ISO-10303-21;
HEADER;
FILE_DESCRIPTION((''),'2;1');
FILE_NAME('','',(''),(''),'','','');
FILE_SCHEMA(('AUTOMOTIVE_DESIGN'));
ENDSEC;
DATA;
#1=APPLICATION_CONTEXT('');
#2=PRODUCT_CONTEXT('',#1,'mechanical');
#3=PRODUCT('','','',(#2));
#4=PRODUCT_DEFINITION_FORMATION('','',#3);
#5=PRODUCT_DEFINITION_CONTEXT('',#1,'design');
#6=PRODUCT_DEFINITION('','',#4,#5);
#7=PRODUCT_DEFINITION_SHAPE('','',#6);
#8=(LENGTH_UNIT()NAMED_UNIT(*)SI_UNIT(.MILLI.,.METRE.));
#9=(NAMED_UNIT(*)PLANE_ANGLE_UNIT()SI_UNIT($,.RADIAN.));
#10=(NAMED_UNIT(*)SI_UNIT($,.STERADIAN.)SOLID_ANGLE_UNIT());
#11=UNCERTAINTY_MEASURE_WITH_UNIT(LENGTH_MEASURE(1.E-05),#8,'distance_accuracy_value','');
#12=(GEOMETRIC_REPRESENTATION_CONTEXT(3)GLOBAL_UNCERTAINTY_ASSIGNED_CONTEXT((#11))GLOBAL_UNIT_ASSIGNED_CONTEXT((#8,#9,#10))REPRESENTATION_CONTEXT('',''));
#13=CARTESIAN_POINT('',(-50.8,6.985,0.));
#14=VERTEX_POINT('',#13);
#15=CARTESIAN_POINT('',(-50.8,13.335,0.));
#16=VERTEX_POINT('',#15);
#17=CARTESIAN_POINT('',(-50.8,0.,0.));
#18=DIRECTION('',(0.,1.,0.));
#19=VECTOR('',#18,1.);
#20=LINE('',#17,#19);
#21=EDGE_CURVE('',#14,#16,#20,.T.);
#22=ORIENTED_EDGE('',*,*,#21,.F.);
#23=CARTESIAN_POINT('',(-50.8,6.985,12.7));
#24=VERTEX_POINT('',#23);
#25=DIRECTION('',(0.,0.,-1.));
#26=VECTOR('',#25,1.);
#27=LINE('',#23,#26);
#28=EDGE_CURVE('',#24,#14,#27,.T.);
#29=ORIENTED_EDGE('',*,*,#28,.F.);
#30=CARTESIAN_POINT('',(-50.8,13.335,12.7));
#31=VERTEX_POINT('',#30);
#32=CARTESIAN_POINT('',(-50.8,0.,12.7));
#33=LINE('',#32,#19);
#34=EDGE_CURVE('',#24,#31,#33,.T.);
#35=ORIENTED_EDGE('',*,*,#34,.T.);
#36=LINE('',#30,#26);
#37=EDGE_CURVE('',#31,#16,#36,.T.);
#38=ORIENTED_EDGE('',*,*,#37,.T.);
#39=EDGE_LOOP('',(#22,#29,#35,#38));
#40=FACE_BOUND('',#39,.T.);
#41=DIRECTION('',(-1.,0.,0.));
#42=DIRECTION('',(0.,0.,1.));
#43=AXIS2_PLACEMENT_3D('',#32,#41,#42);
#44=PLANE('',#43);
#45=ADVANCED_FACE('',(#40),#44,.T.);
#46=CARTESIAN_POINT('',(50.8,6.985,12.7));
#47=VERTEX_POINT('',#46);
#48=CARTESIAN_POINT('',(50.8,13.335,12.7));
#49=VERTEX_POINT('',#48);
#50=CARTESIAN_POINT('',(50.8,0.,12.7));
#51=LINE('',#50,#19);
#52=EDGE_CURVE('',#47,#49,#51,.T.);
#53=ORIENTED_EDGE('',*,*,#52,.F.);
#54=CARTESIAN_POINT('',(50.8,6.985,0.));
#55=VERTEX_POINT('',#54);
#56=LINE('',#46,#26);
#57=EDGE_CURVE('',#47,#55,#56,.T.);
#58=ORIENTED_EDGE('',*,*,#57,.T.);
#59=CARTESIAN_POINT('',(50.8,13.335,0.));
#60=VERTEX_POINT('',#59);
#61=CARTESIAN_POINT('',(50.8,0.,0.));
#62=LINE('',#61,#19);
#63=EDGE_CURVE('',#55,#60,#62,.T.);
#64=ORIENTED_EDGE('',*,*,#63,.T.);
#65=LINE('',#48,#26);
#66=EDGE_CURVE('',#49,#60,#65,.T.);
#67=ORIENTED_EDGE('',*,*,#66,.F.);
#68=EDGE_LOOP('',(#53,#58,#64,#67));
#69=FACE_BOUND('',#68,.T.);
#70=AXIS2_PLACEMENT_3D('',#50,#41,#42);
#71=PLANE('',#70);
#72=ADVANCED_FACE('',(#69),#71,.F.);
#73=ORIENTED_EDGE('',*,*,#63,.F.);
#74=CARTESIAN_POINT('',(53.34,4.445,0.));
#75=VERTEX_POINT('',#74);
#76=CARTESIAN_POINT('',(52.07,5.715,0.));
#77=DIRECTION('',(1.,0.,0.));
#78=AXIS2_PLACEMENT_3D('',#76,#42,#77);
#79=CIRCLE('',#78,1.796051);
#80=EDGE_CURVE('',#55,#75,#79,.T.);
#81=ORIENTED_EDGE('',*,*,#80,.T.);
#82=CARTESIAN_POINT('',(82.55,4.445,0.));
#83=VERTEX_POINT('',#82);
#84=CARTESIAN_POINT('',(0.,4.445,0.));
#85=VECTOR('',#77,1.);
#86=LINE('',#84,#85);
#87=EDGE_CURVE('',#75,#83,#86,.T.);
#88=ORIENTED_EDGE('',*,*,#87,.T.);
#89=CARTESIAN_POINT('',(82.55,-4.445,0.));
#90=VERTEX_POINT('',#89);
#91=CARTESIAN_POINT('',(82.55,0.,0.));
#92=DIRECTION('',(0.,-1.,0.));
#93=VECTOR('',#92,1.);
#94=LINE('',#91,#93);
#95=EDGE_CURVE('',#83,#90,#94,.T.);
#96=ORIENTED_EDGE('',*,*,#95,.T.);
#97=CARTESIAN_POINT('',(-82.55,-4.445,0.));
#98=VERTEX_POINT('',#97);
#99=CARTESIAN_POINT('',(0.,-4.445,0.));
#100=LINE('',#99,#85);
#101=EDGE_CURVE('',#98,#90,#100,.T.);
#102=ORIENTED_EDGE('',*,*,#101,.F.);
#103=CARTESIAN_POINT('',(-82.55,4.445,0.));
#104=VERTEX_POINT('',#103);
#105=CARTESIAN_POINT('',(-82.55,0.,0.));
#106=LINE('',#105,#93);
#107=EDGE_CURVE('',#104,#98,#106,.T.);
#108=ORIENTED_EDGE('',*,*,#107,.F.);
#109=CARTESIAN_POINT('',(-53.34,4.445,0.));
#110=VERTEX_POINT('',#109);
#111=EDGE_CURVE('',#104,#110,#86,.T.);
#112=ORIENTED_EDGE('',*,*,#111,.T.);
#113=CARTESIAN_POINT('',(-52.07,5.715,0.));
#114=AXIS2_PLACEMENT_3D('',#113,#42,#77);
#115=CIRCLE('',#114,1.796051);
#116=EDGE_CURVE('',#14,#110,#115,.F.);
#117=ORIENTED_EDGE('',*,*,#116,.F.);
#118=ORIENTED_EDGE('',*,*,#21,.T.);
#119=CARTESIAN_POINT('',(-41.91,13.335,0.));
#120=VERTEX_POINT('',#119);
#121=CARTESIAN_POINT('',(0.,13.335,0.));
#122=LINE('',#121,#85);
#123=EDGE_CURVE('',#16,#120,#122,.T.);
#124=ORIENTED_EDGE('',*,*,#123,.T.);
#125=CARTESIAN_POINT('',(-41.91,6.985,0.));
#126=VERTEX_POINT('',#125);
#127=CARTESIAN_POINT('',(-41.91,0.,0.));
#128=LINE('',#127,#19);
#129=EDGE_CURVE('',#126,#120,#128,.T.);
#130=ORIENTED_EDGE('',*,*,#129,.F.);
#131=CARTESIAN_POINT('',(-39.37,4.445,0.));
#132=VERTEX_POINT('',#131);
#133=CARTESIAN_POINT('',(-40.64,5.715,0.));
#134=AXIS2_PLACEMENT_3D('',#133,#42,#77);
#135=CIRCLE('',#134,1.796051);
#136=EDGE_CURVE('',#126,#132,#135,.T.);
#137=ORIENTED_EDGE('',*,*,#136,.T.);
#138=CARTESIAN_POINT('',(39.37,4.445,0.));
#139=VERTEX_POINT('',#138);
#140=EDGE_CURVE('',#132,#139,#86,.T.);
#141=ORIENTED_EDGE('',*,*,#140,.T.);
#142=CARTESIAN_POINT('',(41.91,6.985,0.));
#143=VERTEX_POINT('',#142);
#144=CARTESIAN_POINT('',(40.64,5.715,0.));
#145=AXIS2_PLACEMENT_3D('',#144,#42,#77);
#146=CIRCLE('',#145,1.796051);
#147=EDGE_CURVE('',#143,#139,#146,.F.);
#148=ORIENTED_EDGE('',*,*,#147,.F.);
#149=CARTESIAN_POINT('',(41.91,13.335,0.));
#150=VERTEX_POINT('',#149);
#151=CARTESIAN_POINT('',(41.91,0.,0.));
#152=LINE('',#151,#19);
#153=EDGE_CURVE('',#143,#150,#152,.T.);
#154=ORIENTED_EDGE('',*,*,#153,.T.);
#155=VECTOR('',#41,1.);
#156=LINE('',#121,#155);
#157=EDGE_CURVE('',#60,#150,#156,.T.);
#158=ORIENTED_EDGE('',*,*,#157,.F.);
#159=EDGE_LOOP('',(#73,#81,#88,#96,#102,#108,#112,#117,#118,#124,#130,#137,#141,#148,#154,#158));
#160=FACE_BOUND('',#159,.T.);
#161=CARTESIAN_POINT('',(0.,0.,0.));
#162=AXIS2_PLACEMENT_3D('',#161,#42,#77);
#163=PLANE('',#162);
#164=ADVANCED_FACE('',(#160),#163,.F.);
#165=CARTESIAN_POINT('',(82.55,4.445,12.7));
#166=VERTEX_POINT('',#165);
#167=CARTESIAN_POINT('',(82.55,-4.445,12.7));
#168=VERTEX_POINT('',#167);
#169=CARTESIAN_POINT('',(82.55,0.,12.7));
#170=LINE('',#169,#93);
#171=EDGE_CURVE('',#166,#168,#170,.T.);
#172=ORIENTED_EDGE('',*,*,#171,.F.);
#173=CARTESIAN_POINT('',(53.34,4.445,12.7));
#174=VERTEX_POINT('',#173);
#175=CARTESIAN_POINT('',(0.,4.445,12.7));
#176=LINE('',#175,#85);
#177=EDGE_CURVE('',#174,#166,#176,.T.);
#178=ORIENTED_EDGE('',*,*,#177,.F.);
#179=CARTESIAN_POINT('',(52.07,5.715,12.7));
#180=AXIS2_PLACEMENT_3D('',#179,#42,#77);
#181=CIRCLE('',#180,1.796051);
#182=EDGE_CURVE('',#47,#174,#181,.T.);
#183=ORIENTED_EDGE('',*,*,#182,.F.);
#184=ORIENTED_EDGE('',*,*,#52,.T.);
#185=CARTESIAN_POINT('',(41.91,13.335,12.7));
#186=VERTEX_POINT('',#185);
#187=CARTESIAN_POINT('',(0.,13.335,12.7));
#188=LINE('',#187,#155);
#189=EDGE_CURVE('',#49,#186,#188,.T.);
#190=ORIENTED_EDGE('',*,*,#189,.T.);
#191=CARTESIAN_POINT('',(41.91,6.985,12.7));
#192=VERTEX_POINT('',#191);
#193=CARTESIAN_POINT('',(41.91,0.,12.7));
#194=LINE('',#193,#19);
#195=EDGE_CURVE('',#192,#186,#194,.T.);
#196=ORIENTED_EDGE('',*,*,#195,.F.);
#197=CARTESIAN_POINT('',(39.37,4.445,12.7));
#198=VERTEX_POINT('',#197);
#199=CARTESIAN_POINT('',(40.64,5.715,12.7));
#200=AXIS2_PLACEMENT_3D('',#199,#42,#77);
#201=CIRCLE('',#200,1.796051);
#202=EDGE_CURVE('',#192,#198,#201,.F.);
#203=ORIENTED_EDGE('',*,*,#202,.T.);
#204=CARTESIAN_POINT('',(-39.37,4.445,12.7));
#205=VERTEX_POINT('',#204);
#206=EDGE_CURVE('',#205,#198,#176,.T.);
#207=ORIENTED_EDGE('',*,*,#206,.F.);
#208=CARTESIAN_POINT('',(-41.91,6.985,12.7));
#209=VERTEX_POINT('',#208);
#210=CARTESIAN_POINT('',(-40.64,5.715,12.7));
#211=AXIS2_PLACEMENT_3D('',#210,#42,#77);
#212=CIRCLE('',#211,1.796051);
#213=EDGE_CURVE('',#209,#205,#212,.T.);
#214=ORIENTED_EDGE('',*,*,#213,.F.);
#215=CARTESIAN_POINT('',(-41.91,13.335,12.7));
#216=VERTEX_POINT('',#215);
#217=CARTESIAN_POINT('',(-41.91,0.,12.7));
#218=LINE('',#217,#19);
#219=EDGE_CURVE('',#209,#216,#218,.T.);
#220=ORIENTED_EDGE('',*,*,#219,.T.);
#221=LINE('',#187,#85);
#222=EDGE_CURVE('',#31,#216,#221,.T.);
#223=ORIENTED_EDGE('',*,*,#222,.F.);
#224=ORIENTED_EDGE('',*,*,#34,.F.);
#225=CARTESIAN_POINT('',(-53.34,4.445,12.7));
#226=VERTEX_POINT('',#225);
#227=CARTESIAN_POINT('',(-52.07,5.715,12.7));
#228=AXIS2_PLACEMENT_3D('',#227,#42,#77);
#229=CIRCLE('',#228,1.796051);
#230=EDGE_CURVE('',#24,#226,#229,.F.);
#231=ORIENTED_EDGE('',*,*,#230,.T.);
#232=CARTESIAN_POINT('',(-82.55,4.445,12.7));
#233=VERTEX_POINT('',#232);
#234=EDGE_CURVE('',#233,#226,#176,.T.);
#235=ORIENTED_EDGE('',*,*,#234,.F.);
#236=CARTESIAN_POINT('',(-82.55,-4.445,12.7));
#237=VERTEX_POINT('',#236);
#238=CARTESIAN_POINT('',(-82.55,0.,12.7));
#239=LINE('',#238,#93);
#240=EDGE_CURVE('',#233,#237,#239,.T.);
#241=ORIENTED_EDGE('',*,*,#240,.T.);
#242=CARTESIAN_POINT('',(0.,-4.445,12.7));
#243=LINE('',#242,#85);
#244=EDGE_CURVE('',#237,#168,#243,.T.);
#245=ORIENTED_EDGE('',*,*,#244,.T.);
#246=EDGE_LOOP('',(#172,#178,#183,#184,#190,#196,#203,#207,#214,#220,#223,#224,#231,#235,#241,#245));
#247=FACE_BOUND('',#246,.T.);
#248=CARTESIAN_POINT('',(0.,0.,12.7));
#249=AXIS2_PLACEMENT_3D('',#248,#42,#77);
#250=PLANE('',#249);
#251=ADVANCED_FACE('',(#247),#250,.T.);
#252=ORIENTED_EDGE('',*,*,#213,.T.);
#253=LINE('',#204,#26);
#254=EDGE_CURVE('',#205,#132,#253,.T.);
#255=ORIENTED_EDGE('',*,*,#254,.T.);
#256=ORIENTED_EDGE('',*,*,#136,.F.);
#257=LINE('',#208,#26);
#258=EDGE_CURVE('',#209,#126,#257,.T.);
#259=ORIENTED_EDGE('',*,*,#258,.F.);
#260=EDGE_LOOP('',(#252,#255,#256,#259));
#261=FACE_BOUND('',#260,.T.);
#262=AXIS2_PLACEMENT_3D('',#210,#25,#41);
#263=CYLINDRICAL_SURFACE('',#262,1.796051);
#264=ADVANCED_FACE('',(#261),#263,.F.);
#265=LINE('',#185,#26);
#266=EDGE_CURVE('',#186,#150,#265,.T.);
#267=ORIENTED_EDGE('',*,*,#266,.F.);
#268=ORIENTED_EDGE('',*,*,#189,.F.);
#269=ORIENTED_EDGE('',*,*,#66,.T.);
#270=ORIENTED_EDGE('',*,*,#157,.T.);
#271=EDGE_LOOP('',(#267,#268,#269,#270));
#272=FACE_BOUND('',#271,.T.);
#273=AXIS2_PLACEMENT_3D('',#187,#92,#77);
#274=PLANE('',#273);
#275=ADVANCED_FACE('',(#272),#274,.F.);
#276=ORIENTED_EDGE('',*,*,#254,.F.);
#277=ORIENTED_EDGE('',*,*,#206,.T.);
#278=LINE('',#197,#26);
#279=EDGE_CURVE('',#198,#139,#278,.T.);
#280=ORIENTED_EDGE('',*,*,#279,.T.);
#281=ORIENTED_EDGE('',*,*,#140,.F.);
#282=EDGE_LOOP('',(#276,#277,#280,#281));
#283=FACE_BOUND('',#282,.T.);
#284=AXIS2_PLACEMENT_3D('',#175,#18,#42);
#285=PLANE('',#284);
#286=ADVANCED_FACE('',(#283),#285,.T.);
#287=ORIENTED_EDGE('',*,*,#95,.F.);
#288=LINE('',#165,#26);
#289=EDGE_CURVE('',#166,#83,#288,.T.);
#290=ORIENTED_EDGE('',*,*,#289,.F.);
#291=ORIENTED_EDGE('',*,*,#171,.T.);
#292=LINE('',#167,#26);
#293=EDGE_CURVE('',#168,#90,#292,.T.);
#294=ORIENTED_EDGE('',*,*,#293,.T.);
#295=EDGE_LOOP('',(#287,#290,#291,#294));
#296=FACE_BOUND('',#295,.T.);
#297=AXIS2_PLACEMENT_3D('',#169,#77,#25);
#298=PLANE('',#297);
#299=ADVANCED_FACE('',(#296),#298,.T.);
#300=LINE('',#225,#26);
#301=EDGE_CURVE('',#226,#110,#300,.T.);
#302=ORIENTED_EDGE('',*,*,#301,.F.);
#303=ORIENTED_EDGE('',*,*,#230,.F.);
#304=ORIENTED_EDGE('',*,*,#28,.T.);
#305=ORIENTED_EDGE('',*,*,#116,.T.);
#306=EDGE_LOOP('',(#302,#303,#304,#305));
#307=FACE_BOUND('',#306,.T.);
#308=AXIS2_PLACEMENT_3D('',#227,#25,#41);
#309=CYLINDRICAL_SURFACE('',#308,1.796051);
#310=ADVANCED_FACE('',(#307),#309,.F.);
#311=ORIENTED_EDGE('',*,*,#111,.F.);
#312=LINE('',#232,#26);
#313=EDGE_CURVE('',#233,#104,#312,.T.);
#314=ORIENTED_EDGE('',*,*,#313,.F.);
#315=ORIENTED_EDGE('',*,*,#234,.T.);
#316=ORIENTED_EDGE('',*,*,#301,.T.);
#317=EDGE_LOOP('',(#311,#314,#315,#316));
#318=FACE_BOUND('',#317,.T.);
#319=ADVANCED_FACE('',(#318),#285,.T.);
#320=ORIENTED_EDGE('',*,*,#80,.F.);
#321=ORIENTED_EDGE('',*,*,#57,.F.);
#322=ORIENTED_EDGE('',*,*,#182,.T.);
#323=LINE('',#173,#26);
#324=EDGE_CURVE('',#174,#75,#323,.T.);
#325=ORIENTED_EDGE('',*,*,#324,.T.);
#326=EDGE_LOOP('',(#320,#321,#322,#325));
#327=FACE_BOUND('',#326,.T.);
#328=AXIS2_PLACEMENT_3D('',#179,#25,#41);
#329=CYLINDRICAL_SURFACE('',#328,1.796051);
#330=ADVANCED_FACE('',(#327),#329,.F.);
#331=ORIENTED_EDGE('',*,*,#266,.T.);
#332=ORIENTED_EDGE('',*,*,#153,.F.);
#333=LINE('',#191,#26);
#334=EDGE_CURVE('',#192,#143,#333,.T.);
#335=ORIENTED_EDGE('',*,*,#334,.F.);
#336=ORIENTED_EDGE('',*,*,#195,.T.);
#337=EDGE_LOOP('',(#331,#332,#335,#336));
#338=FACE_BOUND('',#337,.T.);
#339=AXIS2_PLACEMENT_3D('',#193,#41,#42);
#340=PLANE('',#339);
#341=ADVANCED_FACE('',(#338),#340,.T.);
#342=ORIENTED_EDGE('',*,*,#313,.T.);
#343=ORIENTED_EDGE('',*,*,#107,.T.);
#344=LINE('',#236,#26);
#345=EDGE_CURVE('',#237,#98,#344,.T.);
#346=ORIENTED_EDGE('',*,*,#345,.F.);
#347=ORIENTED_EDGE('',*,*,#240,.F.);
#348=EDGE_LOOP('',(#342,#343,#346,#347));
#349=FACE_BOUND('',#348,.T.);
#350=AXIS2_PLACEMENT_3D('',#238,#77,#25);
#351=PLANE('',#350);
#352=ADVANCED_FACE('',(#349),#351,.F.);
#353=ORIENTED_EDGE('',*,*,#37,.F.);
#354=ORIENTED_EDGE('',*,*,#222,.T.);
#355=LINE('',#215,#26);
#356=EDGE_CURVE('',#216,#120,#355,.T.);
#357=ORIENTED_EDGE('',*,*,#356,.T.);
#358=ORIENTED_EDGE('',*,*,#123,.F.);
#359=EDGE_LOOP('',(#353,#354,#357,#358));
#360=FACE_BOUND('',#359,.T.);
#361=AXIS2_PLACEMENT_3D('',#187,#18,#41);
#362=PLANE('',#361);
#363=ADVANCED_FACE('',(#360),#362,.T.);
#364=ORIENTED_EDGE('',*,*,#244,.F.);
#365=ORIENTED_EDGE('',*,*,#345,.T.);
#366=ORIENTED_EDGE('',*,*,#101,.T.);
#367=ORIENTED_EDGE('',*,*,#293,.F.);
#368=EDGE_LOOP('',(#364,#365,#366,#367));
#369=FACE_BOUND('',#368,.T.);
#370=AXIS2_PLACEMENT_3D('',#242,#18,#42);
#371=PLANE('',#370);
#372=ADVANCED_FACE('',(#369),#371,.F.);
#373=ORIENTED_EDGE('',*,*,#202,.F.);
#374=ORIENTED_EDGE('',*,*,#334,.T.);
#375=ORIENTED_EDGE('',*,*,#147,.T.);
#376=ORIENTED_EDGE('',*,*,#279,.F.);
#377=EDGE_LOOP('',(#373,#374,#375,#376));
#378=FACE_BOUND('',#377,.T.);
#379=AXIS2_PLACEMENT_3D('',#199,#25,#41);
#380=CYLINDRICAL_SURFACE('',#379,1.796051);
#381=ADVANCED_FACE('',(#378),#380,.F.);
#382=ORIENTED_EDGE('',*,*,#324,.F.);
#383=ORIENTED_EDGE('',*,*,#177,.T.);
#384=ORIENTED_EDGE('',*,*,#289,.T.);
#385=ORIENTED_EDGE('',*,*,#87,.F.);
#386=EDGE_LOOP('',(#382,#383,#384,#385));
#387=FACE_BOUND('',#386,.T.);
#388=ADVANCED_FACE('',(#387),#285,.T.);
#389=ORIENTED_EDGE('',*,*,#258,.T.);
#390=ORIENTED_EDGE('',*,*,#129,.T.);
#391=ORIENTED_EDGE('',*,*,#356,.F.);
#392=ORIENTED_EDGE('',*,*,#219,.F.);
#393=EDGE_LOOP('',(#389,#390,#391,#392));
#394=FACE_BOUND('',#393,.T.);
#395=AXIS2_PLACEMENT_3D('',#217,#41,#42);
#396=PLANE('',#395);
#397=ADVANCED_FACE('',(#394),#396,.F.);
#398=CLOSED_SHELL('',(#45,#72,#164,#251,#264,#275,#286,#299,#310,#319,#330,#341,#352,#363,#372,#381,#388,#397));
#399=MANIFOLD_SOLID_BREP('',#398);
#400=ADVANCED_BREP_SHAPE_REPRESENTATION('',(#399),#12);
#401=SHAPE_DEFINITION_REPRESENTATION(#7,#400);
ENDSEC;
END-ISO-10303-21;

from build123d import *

# Parameters (mm, degrees)
BOSS_EXTRUDE1_DEPTH = 12.7


with BuildPart() as part:
    # Sketch1 → Boss-Extrude1 (new body)
    with BuildSketch(Plane.XY):
        with BuildLine():
            Line((-53.34, 4.445), (-82.55, 4.445))
            Line((-82.55, 4.445), (-82.55, -4.445))
            Line((-82.55, -4.445), (82.55, -4.445))
            Line((82.55, -4.445), (82.55, 4.445))
            Line((82.55, 4.445), (53.34, 4.445))
            ThreePointArc((53.34, 4.445), (50.8, 4.445), (50.8, 6.985))
            Line((50.8, 6.985), (50.8, 13.335))
            Line((50.8, 13.335), (41.91, 13.335))
            Line((41.91, 13.335), (41.91, 6.985))
            ThreePointArc((41.91, 6.985), (41.91, 4.445), (39.37, 4.445))
            Line((39.37, 4.445), (-39.37, 4.445))
            ThreePointArc((-39.37, 4.445), (-41.91, 4.445), (-41.91, 6.985))
            Line((-41.91, 6.985), (-41.91, 13.335))
            Line((-41.91, 13.335), (-50.8, 13.335))
            Line((-50.8, 13.335), (-50.8, 6.985))
            ThreePointArc((-50.8, 6.985), (-50.8, 4.445), (-53.34, 4.445))
        make_face()
    extrude(amount=BOSS_EXTRUDE1_DEPTH)


solid = part.part
